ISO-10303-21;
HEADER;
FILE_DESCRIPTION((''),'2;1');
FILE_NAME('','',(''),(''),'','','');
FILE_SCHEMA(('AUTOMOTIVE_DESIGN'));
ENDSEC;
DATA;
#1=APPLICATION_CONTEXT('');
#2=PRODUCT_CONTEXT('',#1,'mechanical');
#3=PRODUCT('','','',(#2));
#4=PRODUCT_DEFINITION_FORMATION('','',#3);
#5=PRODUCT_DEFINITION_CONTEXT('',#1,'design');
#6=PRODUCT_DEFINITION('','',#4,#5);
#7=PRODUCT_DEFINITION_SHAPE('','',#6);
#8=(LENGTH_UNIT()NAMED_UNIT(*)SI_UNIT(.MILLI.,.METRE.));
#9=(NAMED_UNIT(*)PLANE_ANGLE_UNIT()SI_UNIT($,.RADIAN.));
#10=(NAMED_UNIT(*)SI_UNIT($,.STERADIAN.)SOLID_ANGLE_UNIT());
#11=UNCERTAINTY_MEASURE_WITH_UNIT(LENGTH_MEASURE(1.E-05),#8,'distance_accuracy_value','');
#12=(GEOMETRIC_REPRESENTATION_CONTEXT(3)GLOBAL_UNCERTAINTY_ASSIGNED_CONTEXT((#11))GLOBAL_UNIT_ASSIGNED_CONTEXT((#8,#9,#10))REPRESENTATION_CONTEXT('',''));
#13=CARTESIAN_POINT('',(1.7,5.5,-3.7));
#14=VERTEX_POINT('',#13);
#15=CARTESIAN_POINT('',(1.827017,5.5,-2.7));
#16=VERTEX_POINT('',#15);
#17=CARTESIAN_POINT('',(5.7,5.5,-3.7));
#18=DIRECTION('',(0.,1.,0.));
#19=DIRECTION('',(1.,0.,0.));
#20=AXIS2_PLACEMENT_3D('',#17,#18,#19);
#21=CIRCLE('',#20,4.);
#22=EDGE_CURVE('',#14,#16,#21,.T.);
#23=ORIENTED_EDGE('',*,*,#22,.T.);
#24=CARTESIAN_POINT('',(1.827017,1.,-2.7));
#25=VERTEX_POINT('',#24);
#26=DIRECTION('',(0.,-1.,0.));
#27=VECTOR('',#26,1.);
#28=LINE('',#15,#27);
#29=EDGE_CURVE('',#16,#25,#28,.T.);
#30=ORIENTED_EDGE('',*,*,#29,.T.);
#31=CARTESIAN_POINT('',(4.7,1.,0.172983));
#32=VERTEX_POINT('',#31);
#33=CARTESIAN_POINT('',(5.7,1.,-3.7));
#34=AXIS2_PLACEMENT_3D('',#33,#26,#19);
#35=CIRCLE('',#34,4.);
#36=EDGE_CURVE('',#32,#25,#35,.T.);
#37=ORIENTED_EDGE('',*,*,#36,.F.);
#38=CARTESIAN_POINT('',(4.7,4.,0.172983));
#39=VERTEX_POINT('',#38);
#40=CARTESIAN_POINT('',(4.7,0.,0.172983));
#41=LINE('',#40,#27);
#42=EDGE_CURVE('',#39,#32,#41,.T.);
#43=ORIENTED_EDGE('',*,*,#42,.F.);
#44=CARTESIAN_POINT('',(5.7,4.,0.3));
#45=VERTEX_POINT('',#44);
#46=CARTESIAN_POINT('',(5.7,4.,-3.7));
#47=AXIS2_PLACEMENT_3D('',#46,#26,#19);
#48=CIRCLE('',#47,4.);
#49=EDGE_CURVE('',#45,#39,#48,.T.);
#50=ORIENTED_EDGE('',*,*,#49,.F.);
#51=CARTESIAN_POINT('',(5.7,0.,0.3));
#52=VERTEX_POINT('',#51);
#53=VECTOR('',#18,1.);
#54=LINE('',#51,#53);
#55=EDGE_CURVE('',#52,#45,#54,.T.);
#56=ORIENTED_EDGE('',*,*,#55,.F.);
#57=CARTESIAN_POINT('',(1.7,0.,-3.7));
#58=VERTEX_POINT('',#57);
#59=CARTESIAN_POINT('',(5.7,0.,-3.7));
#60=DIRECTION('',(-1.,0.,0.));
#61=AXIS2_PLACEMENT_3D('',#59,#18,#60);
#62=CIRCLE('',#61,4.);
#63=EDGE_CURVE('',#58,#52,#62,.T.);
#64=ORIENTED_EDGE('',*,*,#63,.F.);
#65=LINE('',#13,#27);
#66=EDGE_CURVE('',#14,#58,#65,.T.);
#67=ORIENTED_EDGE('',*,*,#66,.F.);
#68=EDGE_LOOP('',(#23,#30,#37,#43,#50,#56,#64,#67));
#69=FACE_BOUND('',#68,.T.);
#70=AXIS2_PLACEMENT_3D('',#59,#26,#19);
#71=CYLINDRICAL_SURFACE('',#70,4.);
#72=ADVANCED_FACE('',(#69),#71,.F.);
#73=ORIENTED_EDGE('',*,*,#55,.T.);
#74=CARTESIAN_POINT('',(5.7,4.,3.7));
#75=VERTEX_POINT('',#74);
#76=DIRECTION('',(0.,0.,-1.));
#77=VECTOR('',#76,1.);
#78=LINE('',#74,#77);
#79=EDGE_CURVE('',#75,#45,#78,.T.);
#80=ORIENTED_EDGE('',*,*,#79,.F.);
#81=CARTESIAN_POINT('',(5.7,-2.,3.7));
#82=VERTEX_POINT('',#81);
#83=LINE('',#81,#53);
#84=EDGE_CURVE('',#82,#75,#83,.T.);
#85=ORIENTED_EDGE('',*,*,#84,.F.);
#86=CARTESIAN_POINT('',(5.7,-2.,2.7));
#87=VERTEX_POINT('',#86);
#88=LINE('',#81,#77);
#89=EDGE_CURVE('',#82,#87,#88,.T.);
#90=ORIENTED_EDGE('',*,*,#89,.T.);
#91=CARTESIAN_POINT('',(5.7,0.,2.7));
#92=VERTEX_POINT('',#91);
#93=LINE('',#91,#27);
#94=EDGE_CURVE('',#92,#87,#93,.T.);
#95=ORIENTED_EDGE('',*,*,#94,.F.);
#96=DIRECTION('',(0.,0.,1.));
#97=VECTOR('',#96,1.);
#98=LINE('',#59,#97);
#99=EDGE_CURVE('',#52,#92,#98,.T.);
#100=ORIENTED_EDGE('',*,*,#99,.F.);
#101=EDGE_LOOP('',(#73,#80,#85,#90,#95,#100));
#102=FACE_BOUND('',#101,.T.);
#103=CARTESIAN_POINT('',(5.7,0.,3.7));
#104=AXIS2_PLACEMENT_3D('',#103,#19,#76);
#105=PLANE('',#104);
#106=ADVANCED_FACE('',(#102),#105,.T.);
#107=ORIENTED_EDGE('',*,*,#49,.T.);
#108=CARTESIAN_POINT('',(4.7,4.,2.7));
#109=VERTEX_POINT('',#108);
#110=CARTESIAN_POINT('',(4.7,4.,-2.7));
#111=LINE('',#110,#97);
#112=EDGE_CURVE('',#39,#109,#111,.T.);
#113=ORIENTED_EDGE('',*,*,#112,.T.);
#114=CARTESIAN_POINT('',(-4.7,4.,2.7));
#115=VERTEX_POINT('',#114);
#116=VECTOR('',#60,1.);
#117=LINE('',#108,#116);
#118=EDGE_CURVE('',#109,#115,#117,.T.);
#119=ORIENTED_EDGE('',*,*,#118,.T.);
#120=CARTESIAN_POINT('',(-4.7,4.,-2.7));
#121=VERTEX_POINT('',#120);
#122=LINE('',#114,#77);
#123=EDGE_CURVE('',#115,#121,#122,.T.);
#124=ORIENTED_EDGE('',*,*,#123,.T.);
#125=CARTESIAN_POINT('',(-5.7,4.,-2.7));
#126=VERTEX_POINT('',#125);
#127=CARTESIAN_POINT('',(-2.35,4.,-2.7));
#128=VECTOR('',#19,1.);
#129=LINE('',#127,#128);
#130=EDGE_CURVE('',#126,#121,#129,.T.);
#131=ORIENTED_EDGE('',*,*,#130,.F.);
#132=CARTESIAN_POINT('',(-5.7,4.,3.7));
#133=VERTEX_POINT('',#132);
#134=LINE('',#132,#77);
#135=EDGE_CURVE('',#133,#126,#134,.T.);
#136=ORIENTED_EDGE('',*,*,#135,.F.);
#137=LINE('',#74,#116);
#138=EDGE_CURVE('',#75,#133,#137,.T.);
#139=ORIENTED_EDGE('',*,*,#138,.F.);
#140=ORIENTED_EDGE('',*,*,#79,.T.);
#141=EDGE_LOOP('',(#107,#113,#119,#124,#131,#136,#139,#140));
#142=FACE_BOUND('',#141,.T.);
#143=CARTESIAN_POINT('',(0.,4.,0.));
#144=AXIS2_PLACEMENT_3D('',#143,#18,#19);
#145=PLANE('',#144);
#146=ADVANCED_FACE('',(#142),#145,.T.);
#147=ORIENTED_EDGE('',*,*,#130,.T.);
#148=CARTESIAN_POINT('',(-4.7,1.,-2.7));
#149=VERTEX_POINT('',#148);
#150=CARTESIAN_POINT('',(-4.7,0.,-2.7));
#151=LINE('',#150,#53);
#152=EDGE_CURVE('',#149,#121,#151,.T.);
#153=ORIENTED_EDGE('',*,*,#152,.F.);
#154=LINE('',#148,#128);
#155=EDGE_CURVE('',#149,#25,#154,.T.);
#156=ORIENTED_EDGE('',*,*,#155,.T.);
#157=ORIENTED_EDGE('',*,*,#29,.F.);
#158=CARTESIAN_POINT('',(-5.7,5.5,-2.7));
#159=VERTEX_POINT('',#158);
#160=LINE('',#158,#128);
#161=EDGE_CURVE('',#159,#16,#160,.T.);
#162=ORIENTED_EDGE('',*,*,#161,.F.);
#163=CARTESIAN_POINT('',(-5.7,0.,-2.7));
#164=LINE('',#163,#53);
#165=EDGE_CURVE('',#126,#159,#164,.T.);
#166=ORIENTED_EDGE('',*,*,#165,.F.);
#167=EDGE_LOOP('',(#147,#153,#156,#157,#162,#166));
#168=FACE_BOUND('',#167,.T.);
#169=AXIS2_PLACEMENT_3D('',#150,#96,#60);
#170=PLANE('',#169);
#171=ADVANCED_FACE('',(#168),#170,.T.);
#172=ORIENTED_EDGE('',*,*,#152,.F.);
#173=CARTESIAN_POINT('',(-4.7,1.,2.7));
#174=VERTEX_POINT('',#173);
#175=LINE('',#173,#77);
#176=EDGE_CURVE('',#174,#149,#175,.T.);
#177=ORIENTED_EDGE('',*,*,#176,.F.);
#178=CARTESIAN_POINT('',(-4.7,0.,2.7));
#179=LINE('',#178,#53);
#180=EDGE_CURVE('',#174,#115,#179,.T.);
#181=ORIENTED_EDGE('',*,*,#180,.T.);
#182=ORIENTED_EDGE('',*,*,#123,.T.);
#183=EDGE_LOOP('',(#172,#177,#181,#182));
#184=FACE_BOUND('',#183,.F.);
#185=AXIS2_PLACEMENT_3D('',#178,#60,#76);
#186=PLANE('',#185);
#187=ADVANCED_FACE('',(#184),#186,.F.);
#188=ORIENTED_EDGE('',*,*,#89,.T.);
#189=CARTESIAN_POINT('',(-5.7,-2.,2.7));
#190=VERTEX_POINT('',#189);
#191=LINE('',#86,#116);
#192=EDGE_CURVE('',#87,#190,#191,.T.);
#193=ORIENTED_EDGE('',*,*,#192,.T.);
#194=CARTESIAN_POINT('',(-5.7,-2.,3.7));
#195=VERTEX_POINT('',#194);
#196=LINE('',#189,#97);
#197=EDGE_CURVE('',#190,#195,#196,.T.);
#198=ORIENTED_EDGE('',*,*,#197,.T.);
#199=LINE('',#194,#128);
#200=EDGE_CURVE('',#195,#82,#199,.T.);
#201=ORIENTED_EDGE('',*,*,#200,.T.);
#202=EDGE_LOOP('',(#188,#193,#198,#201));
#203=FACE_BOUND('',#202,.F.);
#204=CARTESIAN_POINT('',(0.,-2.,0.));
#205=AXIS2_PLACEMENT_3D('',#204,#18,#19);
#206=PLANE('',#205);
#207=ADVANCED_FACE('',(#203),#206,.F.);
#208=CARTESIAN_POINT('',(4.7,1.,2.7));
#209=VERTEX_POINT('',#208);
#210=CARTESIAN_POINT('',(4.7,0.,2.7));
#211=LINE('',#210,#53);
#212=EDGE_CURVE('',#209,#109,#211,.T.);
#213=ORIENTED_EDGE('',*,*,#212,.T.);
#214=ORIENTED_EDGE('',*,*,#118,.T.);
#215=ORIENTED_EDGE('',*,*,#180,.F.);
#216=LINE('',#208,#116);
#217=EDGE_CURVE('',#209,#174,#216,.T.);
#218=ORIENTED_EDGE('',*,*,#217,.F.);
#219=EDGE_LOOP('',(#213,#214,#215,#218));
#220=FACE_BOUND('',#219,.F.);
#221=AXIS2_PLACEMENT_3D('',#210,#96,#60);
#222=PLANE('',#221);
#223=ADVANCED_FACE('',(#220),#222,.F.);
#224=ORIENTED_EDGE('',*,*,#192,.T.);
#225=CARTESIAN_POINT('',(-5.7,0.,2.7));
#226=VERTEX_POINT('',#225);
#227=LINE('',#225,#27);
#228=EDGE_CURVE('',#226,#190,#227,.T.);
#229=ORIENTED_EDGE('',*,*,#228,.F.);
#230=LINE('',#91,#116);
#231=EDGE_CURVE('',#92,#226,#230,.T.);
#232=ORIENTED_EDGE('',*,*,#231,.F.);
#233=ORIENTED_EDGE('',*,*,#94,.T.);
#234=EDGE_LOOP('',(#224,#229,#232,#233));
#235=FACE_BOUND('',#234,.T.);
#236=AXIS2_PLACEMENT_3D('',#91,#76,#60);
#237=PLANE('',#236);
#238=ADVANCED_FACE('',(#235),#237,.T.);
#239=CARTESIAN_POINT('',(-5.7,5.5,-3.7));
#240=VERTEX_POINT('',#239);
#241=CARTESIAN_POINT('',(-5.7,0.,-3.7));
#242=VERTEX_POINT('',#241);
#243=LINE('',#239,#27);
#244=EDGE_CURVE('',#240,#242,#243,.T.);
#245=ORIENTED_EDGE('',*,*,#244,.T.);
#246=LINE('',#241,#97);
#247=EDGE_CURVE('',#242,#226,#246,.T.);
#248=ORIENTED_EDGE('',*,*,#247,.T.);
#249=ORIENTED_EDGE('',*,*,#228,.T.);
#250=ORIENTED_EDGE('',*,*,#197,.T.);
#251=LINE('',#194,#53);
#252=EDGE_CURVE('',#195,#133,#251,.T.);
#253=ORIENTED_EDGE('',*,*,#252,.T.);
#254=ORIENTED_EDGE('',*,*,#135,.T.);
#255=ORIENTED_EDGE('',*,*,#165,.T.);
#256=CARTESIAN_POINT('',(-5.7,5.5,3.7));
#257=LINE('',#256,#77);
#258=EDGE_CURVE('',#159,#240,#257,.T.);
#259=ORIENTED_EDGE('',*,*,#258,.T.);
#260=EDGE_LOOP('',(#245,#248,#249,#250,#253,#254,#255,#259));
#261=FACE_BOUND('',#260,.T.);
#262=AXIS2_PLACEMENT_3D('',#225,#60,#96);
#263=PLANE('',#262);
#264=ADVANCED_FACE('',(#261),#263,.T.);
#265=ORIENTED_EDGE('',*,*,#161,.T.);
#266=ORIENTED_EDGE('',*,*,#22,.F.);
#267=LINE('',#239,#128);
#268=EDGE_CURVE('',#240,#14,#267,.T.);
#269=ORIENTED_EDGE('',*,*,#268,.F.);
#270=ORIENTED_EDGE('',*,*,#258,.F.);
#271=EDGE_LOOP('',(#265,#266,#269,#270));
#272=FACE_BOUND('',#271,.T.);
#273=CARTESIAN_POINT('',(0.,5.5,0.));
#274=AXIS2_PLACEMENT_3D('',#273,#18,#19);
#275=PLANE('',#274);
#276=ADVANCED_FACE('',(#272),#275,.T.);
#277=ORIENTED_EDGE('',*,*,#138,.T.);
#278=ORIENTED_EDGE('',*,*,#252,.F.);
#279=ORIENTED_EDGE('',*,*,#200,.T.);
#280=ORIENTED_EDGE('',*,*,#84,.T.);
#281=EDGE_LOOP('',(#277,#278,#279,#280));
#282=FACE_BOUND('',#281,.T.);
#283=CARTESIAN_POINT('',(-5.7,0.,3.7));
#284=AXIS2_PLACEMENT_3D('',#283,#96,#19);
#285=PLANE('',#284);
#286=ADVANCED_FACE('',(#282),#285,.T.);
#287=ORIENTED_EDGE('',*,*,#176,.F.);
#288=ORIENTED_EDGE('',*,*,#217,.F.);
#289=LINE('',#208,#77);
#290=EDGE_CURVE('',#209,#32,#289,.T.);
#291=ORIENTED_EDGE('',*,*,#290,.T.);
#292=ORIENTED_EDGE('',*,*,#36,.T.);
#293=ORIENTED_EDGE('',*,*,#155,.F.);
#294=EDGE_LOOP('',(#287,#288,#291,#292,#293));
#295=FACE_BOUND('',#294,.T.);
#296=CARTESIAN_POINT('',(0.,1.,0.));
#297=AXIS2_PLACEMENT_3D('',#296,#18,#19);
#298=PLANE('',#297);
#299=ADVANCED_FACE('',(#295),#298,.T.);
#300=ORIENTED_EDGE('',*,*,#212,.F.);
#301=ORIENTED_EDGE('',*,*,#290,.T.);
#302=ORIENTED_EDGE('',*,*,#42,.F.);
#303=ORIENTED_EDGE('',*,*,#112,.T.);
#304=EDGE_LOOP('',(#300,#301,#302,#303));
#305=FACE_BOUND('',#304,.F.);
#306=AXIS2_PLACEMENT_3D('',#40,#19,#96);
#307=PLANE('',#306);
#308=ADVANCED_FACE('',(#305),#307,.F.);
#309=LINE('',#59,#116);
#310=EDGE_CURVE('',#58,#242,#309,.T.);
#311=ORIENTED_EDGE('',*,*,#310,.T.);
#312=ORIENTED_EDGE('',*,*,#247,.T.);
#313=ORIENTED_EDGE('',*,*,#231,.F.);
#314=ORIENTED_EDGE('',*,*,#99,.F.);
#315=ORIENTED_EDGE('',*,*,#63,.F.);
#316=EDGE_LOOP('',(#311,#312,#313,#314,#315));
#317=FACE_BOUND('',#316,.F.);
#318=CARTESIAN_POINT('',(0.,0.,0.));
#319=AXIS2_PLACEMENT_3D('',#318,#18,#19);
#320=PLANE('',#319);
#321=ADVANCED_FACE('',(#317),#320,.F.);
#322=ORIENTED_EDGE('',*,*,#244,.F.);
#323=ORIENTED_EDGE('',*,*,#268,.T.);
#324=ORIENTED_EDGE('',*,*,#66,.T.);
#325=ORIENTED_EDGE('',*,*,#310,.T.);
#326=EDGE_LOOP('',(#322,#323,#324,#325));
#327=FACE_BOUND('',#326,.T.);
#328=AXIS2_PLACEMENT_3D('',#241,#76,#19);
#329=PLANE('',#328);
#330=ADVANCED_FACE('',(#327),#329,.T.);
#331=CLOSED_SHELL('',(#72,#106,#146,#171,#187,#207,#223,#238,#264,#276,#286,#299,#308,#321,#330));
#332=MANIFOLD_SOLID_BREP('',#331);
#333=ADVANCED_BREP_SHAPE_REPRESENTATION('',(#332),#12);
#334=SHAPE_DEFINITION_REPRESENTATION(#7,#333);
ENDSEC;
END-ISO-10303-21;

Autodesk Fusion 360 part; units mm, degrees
sketch "Sketch1" plane through (0, 0, 0) normal (0, 1, 0) x (1, 0, 0)
  line L0 (-4.7, 2.7) -> (4.7, 2.7)
  line L1 (4.7, 2.7) -> (4.7, -2.7)
  line L2 (4.7, -2.7) -> (-4.7, -2.7)
  line L3 (-4.7, -2.7) -> (-4.7, 2.7)
  line L4 (-4.7, 2.7) -> (4.7, -2.7) construction
  line L5 (4.7, 2.7) -> (-4.7, -2.7) construction
  line L6 (-5.7, 3.7) -> (5.7, 3.7)
  line L7 (5.7, 3.7) -> (5.7, -3.7)
  line L8 (5.7, -3.7) -> (-5.7, -3.7)
  line L9 (-5.7, -3.7) -> (-5.7, 3.7)
  circle A0 centre (5.7, 3.7) radius 4
  line L10 (-4.7, 2.7) -> (-5.7, 2.7)
  dimension "d1" = 9.4
  dimension "d2" = 5.4
  dimension "d3" = -1
  dimension "d12" = 8
extrude "Extrude1" add sketch "Sketch1" along normal blind 4 contours L0 L6 L9 A0 L10 | L1 L2 L3 L7 L8 L9 A0 L10 | L0 L1 L6 L7 A0
extrude "Extrude2" add sketch "Sketch1" along normal blind 1 contours L0 L1 L2 L3 A0 | L0 L1 A0
sketch "Sketch2" plane through (0, 0, 0) normal (0, 1, 0) x (1, 0, 0)
  line L0 (-5.7, -3.7) -> (5.7, -3.7)
  line L1 (5.7, -3.7) -> (5.7, -2.7)
  line L2 (5.7, -2.7) -> (-5.7, -2.7)
  line L3 (-5.7, -2.7) -> (-5.7, -3.7)
  point P0 (-5.7, -3.7)
  dimension "d8" = 1
  dimension "d11" = 11.4
extrude "Extrude3" add sketch "Sketch2" against normal blind 2
extrude "Extrude4" cut sketch "Sketch1" along normal blind 5 contours L0 L1 L6 L7 A0 | L0 L1 A0
extrude "Extrude5" add sketch "Sketch1" along normal blind 5.5 contours L0 L6 L9 A0 L10
